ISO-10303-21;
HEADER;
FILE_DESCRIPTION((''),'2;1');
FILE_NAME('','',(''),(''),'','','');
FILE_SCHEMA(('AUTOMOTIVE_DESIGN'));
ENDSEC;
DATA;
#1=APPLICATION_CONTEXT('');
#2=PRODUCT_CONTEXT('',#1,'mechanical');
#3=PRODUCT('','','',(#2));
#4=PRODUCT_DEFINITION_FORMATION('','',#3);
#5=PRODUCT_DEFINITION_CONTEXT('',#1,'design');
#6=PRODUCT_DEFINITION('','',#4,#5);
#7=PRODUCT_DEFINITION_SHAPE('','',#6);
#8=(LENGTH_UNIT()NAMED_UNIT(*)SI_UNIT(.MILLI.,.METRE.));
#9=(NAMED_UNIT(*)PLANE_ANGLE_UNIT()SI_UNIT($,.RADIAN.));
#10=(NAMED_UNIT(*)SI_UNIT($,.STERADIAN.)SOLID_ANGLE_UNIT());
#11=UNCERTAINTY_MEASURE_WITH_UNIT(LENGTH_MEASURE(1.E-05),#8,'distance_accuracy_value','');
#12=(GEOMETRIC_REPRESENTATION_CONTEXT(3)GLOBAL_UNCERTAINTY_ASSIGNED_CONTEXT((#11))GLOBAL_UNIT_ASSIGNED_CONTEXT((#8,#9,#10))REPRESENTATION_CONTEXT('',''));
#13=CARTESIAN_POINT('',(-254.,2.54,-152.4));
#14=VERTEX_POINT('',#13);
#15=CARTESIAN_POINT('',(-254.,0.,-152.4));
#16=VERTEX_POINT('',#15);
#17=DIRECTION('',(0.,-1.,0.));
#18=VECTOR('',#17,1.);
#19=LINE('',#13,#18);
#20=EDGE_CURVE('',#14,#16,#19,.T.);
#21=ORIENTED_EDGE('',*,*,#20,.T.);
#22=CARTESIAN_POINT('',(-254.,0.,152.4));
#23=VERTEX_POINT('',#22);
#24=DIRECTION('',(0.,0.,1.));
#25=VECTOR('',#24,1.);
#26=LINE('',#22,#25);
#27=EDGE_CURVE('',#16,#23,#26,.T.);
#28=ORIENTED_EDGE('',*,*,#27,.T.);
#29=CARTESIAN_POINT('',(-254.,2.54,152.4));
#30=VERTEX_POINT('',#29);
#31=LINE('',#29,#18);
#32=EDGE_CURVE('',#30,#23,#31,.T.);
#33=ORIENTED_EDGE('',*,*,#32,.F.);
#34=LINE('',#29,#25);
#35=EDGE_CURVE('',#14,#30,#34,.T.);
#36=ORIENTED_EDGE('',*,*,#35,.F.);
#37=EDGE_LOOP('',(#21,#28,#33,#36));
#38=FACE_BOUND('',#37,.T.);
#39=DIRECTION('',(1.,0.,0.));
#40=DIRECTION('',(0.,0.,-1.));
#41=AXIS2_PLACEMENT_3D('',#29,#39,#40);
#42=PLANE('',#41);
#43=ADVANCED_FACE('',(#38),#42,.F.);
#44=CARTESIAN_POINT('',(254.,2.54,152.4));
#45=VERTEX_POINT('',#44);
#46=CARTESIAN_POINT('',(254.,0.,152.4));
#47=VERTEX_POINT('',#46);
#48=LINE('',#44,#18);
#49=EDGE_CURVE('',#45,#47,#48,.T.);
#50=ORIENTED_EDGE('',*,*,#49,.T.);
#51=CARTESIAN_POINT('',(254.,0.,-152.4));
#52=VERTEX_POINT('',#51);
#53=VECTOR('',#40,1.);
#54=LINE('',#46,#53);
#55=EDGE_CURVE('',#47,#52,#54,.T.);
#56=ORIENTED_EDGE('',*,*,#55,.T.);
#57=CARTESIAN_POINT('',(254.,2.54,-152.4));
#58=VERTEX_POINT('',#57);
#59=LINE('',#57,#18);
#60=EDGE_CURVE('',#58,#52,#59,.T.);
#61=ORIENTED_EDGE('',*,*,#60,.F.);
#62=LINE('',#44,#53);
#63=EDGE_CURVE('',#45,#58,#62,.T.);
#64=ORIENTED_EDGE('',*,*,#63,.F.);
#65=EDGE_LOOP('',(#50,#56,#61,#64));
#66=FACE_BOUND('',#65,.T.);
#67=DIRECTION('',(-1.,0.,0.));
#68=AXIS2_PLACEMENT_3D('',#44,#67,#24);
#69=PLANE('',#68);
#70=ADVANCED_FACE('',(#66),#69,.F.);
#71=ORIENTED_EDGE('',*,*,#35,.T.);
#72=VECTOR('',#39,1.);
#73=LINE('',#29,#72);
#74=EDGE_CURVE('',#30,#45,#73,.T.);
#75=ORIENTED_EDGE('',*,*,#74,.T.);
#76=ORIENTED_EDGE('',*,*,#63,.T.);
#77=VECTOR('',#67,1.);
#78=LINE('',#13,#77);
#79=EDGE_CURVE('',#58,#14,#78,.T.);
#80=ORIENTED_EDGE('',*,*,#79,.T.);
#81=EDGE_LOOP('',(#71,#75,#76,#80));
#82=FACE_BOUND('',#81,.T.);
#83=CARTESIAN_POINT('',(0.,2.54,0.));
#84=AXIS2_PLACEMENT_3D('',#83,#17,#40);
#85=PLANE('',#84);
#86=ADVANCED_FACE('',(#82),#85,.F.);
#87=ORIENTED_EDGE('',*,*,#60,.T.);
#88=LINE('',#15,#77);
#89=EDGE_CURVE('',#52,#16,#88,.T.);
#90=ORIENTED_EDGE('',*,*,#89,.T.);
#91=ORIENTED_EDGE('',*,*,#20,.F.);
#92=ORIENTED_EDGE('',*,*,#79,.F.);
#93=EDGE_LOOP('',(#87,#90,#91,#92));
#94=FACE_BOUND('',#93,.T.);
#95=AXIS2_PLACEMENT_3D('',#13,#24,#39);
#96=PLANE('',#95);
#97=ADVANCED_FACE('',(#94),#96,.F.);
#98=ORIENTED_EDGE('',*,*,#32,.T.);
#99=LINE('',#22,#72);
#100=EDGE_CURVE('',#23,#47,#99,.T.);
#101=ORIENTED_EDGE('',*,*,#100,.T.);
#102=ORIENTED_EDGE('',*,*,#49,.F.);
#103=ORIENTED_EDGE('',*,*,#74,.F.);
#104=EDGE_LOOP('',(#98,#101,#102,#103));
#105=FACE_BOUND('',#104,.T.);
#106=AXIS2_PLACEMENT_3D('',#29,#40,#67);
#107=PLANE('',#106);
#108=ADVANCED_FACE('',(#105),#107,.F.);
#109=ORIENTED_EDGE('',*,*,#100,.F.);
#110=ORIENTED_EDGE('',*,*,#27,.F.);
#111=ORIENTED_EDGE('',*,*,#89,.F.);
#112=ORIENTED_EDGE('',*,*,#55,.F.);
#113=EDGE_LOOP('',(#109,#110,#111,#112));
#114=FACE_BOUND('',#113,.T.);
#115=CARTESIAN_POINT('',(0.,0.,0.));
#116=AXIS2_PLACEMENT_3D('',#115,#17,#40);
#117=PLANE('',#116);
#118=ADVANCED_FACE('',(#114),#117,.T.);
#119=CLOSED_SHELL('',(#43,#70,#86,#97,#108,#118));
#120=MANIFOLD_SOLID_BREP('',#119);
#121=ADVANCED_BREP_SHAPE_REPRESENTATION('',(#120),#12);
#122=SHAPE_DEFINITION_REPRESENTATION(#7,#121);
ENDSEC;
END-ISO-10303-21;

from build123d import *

# Parameters (mm, degrees)
SKETCH1_W               = 508
SKETCH1_H               = 304.8
NEW_BOARD_12X22IN_DEPTH = 2.54


with BuildPart() as part:
    # Sketch1 → New Board 12x22in (new body)
    with BuildSketch(Plane(origin=(0, 0, 0), x_dir=(1, 0, 0), z_dir=(0, 1, 0))):
        Rectangle(SKETCH1_W, SKETCH1_H)
    extrude(amount=NEW_BOARD_12X22IN_DEPTH)


solid = part.part
